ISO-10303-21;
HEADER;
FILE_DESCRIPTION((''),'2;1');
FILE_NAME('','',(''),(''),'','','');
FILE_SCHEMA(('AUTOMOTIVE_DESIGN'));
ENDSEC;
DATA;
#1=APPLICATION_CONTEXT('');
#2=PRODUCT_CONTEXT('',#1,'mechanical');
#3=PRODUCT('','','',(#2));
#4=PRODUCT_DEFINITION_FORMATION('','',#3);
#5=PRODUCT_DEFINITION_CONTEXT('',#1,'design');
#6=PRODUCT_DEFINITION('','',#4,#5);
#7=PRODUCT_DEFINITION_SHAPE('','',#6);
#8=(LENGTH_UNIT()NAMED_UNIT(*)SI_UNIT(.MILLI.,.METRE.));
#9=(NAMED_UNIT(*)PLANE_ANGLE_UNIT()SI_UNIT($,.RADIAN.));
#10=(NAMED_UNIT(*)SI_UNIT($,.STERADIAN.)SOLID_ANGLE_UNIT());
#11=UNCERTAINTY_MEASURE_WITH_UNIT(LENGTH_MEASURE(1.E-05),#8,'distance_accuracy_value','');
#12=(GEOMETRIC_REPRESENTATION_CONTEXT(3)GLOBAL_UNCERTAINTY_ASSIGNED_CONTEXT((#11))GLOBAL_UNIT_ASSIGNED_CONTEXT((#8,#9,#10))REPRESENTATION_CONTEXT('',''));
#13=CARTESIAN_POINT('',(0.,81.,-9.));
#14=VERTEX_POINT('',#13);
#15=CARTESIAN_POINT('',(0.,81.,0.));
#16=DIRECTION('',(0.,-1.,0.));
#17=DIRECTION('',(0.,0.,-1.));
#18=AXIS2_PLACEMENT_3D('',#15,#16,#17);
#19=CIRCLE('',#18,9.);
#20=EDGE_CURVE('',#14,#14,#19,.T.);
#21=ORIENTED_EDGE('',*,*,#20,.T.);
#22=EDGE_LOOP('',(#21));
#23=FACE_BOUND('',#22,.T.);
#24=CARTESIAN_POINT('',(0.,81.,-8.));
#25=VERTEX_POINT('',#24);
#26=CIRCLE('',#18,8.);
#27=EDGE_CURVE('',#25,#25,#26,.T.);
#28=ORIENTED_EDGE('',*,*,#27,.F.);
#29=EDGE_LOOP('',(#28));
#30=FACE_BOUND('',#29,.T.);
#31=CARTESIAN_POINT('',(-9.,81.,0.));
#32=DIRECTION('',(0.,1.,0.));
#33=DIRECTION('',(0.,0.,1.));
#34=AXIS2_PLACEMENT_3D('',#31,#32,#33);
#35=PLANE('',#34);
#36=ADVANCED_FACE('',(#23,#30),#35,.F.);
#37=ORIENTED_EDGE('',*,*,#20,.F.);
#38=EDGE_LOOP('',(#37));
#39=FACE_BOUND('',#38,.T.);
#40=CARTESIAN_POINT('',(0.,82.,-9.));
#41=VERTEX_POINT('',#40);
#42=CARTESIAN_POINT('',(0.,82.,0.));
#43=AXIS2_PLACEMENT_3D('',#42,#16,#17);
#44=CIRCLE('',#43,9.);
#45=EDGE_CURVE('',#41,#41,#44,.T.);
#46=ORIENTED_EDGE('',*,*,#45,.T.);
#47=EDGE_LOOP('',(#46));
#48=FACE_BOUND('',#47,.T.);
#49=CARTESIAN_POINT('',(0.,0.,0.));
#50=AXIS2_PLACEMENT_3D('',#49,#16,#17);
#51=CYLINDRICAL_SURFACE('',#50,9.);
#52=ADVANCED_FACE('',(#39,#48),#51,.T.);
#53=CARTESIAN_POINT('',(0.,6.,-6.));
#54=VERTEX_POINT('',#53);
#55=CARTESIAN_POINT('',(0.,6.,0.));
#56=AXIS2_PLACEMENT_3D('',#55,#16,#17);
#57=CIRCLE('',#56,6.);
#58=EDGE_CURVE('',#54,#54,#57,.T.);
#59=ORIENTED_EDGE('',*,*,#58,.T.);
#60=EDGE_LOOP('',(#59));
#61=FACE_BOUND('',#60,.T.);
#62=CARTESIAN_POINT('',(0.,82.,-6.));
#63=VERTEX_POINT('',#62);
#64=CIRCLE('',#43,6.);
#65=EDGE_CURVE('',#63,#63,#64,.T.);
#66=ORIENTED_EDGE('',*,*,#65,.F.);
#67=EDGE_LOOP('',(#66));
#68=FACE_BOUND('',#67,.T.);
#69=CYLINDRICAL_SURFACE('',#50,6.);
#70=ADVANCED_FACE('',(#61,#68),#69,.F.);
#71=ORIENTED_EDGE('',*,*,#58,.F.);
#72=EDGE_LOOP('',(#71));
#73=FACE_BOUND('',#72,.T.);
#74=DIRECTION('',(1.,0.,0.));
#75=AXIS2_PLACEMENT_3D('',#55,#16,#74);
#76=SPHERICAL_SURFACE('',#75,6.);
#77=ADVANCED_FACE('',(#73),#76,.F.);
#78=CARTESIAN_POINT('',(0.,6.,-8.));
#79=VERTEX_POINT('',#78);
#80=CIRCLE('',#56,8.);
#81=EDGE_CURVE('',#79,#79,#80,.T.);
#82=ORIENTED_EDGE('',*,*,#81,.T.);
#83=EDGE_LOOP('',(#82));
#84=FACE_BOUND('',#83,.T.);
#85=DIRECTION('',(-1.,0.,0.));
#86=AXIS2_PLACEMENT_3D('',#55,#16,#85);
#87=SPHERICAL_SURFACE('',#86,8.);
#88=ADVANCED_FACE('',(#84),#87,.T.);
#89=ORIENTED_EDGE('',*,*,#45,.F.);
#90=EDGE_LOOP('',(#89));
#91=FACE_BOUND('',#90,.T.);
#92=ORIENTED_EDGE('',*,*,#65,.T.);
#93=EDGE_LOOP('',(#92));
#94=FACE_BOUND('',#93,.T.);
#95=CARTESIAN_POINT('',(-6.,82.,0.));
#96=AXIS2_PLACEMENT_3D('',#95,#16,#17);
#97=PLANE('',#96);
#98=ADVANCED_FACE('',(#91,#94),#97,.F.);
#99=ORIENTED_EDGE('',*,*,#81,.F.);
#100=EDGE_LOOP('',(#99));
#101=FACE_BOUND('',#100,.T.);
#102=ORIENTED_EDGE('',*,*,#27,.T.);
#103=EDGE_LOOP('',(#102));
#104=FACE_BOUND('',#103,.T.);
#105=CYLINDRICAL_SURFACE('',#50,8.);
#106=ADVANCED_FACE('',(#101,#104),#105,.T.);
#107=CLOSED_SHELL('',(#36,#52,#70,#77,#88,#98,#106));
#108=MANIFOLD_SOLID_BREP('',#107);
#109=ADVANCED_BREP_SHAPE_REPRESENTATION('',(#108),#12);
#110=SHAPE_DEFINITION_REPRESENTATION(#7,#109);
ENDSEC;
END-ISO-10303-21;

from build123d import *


with BuildPart() as part:
    # Sketch2 → Revolve1 (revolve)
    with BuildSketch(Plane.XY, mode=Mode.PRIVATE) as revolve1_sk:
        with BuildLine():
            Line((-6, 6), (-6, 81))
            Line((-6, 81), (-6, 82))
            Line((-6, 82), (-9, 82))
            Line((-9, 82), (-9, 81))
            Line((-9, 81), (-8, 81))
            Line((-8, 81), (-8, 6))
            ThreePointArc((-8, 6), (-5.656854249, 0.343145751), (0, -2))
            Line((0, -2), (0, 0))
            ThreePointArc((0, 0), (-4.242640687, 1.757359313), (-6, 6))
        make_face()
    revolve(revolve1_sk.sketch.rotate(Axis((0, 0, 0), (0, 1, 0)), 270), axis=Axis((0, 0, 0), (0, 1, 0)))


solid = part.part
